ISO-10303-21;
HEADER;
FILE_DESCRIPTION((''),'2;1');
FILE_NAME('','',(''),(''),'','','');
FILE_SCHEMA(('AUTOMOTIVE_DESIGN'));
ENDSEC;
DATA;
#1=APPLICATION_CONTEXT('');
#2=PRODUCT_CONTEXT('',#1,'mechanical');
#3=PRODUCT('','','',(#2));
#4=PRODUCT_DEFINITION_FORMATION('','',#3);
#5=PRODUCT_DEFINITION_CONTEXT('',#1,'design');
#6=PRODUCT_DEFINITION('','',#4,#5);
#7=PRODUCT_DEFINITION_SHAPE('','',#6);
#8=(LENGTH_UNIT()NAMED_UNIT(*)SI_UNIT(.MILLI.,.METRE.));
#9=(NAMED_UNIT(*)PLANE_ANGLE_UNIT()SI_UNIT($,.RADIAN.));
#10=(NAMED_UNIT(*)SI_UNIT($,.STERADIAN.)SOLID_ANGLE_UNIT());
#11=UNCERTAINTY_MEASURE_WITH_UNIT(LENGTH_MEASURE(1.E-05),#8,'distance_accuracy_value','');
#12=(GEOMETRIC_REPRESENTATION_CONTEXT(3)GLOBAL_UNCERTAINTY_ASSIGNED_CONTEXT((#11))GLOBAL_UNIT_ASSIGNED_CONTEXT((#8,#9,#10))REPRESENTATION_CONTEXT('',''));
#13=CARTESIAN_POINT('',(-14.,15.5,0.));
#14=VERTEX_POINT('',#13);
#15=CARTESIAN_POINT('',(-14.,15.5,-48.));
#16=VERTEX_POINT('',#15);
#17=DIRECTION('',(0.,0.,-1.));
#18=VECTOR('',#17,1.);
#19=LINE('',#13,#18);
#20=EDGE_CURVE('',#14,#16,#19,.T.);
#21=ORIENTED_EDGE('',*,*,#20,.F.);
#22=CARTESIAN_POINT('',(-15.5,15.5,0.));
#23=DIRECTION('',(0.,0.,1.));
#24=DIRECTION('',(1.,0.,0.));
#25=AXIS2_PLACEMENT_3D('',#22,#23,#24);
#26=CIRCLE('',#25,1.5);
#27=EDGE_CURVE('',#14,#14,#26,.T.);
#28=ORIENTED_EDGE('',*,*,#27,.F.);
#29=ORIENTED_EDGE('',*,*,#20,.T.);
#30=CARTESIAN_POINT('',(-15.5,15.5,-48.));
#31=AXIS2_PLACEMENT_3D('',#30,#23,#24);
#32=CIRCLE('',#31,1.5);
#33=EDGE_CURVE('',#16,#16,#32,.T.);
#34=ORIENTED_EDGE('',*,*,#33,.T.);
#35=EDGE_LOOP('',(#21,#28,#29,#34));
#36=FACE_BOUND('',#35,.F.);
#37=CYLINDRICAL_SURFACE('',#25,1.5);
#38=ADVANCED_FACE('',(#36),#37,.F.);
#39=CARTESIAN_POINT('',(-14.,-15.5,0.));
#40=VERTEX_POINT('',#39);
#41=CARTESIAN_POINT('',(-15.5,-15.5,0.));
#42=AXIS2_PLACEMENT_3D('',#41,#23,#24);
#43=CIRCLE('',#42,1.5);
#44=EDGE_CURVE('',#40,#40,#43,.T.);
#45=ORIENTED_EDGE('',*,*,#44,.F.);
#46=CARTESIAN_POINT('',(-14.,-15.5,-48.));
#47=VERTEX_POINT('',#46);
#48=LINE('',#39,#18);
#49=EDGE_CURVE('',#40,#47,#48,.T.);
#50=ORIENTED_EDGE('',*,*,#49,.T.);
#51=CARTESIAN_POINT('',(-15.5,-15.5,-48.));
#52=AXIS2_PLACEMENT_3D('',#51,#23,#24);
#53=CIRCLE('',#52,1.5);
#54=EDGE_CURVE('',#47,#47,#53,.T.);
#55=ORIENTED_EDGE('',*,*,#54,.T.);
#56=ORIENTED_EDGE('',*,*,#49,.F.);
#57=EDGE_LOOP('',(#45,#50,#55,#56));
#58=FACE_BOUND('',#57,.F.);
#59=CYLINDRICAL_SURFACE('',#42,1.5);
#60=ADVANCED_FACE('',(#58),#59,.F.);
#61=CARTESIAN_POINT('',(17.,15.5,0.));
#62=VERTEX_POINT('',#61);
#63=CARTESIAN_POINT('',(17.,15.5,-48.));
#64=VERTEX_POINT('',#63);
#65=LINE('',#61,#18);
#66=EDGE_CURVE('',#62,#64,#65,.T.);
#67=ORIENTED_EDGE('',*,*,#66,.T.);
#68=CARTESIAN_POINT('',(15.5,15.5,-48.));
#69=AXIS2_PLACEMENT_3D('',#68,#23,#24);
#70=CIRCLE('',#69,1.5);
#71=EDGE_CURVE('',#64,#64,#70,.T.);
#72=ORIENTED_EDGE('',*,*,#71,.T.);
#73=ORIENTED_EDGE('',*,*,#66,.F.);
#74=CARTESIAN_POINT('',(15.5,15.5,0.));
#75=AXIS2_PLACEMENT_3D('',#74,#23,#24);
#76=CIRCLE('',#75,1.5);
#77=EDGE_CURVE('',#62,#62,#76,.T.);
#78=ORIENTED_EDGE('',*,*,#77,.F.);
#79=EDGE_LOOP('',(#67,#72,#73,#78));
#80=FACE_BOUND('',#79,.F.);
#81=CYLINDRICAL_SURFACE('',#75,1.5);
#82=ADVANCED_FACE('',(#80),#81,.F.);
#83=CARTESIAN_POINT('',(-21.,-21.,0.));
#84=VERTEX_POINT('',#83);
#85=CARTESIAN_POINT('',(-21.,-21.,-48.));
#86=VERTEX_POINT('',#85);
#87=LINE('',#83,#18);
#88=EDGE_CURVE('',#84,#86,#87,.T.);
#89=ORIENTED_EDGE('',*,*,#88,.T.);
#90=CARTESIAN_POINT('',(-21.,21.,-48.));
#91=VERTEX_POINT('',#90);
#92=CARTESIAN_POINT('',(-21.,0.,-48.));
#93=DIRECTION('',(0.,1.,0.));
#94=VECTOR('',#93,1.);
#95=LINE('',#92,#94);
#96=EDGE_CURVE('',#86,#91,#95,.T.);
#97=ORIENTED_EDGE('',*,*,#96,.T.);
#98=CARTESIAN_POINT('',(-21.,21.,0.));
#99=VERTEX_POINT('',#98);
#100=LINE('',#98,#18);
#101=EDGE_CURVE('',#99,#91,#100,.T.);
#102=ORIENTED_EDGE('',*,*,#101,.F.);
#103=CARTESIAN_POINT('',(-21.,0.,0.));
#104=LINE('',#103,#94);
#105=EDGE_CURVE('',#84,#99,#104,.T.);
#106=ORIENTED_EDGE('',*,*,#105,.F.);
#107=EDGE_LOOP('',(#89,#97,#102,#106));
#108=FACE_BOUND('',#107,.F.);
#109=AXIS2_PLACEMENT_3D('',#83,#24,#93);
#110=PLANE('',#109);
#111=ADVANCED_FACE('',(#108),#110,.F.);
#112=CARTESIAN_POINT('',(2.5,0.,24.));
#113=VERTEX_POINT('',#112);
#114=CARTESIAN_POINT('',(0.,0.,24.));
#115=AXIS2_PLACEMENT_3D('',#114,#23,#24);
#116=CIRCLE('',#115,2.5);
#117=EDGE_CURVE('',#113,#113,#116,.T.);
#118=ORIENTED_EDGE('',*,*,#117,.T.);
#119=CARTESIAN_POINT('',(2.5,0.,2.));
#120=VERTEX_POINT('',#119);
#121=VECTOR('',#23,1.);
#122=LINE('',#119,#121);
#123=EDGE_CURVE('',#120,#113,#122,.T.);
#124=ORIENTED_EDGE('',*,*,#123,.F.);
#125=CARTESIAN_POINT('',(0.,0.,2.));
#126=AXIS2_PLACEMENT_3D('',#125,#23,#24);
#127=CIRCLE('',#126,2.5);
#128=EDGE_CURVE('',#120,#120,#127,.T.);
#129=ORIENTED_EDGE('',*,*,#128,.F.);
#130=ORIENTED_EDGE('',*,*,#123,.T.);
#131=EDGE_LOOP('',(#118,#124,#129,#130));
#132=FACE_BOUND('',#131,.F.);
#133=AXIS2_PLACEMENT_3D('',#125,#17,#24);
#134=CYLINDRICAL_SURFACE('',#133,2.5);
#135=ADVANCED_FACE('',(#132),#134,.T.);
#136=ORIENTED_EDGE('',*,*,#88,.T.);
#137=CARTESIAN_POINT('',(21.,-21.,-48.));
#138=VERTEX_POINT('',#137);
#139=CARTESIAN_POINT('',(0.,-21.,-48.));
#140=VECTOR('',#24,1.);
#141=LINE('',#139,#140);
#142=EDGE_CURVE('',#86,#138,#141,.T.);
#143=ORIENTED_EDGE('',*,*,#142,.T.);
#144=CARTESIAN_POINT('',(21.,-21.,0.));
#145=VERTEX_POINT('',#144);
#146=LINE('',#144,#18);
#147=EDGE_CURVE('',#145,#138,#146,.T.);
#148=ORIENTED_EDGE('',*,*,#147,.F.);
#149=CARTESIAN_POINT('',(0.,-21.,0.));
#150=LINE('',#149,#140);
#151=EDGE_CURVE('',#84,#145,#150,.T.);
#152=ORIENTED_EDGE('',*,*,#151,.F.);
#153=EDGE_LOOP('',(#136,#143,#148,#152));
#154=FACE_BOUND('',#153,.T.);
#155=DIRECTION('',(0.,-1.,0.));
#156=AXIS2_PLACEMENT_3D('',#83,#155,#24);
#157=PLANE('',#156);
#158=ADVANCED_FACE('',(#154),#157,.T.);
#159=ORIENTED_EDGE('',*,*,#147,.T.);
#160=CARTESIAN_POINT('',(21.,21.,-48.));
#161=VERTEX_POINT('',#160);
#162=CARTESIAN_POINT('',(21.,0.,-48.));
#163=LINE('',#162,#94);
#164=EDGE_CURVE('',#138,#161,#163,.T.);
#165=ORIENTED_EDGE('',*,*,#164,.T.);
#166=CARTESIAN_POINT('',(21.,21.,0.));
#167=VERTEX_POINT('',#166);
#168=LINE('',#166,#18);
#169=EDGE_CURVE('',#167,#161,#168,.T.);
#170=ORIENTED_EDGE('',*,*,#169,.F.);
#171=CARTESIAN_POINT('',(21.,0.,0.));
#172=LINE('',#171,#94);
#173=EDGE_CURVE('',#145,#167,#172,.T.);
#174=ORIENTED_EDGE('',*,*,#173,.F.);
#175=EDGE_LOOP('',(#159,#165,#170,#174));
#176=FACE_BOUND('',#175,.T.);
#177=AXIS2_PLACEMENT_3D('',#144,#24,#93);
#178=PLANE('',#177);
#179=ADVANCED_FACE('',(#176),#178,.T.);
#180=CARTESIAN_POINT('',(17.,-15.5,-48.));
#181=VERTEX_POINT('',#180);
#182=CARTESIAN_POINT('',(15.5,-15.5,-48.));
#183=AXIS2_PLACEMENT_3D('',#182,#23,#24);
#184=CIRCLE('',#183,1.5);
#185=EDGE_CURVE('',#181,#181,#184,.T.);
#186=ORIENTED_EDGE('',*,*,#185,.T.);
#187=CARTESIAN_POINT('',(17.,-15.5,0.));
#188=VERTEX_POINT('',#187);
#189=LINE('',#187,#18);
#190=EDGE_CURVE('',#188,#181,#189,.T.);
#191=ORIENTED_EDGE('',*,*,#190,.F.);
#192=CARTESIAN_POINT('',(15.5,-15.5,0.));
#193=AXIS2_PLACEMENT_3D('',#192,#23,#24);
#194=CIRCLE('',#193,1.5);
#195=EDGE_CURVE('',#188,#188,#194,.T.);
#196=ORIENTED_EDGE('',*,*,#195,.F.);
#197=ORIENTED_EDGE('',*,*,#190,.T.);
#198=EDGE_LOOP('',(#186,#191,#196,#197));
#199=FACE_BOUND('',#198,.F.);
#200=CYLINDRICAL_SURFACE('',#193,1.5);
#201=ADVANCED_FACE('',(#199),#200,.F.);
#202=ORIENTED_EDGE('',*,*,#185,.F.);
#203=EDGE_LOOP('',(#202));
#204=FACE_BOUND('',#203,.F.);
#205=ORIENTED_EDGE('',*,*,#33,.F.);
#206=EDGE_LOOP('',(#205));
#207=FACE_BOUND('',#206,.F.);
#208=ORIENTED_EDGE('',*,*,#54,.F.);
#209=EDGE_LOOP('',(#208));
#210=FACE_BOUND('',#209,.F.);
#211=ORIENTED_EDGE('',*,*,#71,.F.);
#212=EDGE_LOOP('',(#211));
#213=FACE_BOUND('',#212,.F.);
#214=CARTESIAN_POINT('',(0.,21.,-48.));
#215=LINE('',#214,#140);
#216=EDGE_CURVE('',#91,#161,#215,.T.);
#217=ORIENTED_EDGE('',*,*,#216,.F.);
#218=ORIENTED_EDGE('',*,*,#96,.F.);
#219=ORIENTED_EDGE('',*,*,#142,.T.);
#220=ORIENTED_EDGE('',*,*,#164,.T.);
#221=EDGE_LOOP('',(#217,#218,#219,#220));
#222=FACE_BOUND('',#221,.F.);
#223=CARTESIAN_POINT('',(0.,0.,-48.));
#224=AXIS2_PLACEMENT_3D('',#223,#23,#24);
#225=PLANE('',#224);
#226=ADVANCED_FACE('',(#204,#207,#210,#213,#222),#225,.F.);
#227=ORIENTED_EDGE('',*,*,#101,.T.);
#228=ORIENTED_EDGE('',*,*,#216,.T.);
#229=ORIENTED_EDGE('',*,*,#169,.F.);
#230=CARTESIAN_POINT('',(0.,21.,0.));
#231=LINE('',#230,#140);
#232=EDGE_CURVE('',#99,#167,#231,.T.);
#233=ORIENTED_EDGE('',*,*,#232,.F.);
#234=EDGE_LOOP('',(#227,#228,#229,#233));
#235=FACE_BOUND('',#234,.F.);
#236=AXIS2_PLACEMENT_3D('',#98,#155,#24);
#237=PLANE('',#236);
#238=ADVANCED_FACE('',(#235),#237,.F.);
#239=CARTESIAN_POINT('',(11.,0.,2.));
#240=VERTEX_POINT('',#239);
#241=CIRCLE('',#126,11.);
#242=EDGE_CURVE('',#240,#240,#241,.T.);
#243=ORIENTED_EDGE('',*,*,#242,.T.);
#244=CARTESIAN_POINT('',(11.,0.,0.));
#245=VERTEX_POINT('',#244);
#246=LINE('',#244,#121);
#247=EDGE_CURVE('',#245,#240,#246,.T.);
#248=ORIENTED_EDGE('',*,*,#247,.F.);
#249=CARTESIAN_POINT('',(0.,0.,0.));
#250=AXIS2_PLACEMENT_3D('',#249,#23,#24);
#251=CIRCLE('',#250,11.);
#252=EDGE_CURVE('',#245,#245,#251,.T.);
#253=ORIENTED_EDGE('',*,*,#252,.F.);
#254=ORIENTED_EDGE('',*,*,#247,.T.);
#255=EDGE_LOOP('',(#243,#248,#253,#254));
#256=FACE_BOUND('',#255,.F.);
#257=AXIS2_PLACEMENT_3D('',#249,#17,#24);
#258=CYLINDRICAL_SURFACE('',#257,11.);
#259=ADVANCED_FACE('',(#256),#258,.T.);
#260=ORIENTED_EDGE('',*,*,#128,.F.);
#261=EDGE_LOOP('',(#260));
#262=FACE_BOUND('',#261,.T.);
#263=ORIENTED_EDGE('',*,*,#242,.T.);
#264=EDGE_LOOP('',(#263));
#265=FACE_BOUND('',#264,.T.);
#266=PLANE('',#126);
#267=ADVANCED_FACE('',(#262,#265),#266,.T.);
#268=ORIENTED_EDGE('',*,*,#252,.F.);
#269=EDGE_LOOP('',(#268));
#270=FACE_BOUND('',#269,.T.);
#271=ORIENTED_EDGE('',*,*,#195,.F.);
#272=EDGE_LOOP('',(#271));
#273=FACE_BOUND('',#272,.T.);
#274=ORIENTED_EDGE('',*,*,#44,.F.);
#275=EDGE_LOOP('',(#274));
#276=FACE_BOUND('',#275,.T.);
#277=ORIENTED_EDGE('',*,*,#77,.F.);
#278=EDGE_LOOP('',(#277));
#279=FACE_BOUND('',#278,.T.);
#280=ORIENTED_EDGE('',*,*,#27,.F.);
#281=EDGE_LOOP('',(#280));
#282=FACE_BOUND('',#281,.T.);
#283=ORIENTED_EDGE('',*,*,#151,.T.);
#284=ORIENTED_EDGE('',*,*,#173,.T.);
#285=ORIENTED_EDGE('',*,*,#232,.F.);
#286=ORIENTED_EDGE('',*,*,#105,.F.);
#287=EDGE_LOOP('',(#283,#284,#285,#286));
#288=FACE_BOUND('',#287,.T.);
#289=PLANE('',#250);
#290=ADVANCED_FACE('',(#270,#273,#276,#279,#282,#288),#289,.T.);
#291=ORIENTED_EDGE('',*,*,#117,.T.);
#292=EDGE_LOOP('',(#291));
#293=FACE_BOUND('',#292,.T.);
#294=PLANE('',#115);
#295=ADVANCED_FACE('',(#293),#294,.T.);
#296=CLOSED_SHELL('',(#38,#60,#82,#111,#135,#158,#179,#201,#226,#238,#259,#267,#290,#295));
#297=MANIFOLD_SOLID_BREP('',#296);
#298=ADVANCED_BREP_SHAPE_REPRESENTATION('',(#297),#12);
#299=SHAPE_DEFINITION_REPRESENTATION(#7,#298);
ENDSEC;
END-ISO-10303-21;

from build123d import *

# Parameters (mm, degrees)
F0_W     = 42
F0_H     = 42
F0_R     = 1.5
F0_R_2   = 11
F1_DEPTH = 48
F2_DEPTH = 2
F3_R     = 2.5
F4_DEPTH = 22


with BuildPart() as f1:
    # F0 (on Top) → F1 (new body)
    with BuildSketch(Plane.XY):
        Rectangle(F0_W, F0_H)
        with Locations((-15.5, -15.5)):
            Circle(F0_R, mode=Mode.SUBTRACT)
        with Locations((15.5, -15.5)):
            Circle(F0_R, mode=Mode.SUBTRACT)
        with Locations((-15.5, 15.5)):
            Circle(F0_R, mode=Mode.SUBTRACT)
        Circle(F0_R_2, mode=Mode.SUBTRACT)
        with Locations((15.5, 15.5)):
            Circle(F0_R, mode=Mode.SUBTRACT)
        Circle(F0_R_2)
    extrude(amount=-F1_DEPTH)

    # F0 (on Top) → F2 (join)
    with BuildSketch(Plane.XY):
        Circle(F0_R_2)
    extrude(amount=F2_DEPTH)

    # F3 (on face) → F4 (join)
    with BuildSketch(Plane.XY.offset(2)):
        Circle(F3_R)
    extrude(amount=F4_DEPTH)


solid = f1.part
